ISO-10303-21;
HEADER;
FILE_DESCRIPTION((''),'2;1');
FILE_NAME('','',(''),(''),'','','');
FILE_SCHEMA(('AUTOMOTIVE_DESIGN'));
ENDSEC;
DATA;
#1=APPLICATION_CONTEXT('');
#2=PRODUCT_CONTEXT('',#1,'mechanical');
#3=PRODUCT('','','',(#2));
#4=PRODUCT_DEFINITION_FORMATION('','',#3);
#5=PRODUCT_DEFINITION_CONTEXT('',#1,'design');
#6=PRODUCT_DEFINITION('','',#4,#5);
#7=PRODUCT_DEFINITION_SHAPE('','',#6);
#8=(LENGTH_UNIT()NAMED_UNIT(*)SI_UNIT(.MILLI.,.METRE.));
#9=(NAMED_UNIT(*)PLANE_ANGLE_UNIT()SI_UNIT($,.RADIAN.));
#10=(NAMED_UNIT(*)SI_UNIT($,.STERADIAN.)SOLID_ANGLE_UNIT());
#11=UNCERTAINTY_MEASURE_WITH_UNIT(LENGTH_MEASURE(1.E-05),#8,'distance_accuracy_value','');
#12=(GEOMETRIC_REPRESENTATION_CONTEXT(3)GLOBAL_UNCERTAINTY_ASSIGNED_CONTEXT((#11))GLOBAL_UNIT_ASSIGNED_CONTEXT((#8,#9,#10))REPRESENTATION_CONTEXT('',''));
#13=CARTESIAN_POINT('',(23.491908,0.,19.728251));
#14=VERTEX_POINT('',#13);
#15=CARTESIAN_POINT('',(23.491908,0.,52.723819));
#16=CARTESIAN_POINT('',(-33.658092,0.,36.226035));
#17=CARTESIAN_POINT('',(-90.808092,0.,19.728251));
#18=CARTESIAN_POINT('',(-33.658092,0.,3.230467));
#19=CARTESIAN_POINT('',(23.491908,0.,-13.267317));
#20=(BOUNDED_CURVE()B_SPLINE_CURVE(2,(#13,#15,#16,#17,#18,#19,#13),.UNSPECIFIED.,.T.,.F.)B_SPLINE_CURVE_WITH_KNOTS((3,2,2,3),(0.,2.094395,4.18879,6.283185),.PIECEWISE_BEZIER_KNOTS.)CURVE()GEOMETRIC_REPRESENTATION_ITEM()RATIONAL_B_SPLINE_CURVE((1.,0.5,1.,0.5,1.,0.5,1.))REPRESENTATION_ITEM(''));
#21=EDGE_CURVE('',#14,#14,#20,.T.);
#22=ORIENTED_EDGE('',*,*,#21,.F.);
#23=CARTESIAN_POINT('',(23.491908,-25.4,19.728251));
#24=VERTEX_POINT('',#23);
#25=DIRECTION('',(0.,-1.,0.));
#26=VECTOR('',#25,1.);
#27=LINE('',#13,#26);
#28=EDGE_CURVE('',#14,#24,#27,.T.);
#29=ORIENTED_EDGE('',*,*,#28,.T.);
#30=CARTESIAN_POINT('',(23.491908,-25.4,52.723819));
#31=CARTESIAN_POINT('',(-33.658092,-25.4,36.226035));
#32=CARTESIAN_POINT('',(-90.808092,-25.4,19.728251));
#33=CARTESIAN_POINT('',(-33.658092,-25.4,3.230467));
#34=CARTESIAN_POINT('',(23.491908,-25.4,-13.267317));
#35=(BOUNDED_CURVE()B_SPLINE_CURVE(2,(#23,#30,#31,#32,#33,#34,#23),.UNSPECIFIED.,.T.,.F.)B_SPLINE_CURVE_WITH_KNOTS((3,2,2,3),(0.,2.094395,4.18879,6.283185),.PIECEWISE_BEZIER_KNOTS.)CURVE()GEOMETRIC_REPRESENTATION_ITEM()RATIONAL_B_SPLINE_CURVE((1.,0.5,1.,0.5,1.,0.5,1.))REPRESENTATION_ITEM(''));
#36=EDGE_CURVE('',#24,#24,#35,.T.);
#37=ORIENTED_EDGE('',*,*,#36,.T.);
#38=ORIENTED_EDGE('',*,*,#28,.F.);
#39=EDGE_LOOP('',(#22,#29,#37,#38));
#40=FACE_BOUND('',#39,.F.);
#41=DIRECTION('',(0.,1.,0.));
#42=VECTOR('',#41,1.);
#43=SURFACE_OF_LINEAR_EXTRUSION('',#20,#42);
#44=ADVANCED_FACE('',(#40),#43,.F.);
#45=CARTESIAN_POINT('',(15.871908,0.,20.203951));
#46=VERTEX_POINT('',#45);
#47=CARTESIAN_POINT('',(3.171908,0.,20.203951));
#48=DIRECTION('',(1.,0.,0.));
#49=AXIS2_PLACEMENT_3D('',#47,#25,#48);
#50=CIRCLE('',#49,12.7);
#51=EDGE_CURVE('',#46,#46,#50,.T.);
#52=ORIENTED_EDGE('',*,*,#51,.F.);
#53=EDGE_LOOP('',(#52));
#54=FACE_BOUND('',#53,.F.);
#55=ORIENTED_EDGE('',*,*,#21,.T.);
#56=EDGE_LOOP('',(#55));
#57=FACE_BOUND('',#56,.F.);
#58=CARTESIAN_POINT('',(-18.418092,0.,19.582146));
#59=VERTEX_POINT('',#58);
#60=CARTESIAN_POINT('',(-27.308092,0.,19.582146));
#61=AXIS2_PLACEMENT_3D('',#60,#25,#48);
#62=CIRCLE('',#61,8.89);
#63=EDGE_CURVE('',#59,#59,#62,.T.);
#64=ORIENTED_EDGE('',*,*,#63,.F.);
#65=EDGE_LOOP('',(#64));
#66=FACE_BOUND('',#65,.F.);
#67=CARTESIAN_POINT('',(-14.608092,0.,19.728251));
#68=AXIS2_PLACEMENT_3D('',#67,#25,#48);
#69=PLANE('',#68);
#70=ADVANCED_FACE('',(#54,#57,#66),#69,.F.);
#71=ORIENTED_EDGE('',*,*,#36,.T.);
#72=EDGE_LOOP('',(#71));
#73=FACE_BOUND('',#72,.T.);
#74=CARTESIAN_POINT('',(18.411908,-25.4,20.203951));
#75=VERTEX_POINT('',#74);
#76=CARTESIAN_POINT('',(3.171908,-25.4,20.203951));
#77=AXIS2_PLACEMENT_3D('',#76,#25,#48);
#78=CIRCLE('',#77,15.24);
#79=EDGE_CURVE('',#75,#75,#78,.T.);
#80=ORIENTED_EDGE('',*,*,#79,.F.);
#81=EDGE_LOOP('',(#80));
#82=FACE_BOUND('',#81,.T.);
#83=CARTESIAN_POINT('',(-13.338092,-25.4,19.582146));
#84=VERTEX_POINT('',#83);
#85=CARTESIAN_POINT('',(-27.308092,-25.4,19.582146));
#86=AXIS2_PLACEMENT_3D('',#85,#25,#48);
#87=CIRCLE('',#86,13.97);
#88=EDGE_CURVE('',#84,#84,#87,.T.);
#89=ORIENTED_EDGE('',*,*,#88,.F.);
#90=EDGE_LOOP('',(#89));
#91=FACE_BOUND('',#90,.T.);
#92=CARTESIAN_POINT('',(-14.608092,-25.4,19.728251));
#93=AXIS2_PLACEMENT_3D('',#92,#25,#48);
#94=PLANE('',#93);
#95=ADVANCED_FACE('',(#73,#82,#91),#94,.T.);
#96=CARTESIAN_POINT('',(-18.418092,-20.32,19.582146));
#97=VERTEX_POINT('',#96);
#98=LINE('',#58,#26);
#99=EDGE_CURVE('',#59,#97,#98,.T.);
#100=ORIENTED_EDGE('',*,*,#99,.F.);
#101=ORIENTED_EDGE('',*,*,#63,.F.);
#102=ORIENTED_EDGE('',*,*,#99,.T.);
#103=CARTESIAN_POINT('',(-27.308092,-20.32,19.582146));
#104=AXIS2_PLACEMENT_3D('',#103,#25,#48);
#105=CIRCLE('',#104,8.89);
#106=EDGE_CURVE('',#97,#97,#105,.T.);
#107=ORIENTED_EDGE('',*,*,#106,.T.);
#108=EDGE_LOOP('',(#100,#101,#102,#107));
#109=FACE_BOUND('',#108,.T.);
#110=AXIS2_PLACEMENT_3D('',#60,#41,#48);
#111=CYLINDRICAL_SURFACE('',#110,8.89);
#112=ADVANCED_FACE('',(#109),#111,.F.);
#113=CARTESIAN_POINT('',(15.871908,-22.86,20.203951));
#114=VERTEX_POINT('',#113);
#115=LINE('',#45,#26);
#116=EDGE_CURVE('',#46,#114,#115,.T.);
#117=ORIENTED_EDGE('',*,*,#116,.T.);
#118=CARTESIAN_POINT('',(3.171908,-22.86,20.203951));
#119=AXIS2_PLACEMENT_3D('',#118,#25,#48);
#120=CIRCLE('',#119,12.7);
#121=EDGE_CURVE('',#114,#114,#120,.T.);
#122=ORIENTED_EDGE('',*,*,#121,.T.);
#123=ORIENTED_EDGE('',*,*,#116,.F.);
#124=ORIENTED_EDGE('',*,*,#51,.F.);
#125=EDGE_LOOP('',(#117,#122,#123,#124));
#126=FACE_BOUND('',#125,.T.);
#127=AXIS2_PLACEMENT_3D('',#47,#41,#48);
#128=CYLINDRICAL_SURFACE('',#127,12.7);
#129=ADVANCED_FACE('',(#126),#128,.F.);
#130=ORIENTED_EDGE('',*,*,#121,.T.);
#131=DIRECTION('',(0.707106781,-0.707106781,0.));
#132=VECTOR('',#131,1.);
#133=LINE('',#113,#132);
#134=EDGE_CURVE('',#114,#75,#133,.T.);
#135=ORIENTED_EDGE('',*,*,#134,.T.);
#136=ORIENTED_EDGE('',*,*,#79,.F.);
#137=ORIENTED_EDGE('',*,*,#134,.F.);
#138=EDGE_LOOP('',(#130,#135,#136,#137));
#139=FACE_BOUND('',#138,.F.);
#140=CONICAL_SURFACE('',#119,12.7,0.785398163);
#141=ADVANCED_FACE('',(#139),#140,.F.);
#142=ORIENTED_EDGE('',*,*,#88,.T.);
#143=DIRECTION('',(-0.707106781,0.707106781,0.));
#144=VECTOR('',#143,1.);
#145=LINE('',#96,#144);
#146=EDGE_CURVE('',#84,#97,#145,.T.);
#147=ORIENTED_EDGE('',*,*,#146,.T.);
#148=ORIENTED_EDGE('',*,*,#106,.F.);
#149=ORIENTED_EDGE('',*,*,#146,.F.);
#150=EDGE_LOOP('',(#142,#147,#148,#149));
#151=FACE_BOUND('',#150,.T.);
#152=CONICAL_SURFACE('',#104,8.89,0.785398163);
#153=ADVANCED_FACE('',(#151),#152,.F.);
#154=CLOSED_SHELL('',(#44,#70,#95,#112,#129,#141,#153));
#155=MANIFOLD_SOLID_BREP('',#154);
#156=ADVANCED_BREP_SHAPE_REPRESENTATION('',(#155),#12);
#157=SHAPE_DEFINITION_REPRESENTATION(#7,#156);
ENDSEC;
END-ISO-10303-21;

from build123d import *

# Parameters (mm, degrees)
F0_R     = 8.89
F0_R_2   = 12.7
F1_DEPTH = 25.4
F2_SIZE  = 2.54
F3_SIZE  = 5.08


with BuildPart() as f1:
    # F0 (on Front) → F1 (new body)
    with BuildSketch(Plane.XZ):
        with BuildLine():
            add(Edge.make_bspline(
                [(23.491908, 19.728251), (23.491908, 52.723819), (-33.658092, 36.226035), (-90.808092, 19.728251), (-33.658092, 3.230467), (23.491908, -13.267317), (23.491908, 19.728251)],
                knots=[0, 0, 0, 2.094395, 2.094395, 4.18879, 4.18879, 6.283185, 6.283185, 6.283185], degree=2, weights=[1, 0.5, 1, 0.5, 1, 0.5, 1]))
        make_face()
        with Locations((-27.308092, 19.582146)):
            Circle(F0_R, mode=Mode.SUBTRACT)
        with Locations((3.171908, 20.203951)):
            Circle(F0_R_2, mode=Mode.SUBTRACT)
    extrude(amount=F1_DEPTH)

    # F2
    f2_edges = [f1.edges().sort_by_distance(p)[0] for p in [
        (-9.528092, -25.4, 20.203951),
    ]]
    chamfer(f2_edges, length=F2_SIZE)

    # F3
    f3_edges = [f1.edges().sort_by_distance(p)[0] for p in [
        (-36.198092, -25.4, 19.582146),
    ]]
    chamfer(f3_edges, length=F3_SIZE)


solid = f1.part
